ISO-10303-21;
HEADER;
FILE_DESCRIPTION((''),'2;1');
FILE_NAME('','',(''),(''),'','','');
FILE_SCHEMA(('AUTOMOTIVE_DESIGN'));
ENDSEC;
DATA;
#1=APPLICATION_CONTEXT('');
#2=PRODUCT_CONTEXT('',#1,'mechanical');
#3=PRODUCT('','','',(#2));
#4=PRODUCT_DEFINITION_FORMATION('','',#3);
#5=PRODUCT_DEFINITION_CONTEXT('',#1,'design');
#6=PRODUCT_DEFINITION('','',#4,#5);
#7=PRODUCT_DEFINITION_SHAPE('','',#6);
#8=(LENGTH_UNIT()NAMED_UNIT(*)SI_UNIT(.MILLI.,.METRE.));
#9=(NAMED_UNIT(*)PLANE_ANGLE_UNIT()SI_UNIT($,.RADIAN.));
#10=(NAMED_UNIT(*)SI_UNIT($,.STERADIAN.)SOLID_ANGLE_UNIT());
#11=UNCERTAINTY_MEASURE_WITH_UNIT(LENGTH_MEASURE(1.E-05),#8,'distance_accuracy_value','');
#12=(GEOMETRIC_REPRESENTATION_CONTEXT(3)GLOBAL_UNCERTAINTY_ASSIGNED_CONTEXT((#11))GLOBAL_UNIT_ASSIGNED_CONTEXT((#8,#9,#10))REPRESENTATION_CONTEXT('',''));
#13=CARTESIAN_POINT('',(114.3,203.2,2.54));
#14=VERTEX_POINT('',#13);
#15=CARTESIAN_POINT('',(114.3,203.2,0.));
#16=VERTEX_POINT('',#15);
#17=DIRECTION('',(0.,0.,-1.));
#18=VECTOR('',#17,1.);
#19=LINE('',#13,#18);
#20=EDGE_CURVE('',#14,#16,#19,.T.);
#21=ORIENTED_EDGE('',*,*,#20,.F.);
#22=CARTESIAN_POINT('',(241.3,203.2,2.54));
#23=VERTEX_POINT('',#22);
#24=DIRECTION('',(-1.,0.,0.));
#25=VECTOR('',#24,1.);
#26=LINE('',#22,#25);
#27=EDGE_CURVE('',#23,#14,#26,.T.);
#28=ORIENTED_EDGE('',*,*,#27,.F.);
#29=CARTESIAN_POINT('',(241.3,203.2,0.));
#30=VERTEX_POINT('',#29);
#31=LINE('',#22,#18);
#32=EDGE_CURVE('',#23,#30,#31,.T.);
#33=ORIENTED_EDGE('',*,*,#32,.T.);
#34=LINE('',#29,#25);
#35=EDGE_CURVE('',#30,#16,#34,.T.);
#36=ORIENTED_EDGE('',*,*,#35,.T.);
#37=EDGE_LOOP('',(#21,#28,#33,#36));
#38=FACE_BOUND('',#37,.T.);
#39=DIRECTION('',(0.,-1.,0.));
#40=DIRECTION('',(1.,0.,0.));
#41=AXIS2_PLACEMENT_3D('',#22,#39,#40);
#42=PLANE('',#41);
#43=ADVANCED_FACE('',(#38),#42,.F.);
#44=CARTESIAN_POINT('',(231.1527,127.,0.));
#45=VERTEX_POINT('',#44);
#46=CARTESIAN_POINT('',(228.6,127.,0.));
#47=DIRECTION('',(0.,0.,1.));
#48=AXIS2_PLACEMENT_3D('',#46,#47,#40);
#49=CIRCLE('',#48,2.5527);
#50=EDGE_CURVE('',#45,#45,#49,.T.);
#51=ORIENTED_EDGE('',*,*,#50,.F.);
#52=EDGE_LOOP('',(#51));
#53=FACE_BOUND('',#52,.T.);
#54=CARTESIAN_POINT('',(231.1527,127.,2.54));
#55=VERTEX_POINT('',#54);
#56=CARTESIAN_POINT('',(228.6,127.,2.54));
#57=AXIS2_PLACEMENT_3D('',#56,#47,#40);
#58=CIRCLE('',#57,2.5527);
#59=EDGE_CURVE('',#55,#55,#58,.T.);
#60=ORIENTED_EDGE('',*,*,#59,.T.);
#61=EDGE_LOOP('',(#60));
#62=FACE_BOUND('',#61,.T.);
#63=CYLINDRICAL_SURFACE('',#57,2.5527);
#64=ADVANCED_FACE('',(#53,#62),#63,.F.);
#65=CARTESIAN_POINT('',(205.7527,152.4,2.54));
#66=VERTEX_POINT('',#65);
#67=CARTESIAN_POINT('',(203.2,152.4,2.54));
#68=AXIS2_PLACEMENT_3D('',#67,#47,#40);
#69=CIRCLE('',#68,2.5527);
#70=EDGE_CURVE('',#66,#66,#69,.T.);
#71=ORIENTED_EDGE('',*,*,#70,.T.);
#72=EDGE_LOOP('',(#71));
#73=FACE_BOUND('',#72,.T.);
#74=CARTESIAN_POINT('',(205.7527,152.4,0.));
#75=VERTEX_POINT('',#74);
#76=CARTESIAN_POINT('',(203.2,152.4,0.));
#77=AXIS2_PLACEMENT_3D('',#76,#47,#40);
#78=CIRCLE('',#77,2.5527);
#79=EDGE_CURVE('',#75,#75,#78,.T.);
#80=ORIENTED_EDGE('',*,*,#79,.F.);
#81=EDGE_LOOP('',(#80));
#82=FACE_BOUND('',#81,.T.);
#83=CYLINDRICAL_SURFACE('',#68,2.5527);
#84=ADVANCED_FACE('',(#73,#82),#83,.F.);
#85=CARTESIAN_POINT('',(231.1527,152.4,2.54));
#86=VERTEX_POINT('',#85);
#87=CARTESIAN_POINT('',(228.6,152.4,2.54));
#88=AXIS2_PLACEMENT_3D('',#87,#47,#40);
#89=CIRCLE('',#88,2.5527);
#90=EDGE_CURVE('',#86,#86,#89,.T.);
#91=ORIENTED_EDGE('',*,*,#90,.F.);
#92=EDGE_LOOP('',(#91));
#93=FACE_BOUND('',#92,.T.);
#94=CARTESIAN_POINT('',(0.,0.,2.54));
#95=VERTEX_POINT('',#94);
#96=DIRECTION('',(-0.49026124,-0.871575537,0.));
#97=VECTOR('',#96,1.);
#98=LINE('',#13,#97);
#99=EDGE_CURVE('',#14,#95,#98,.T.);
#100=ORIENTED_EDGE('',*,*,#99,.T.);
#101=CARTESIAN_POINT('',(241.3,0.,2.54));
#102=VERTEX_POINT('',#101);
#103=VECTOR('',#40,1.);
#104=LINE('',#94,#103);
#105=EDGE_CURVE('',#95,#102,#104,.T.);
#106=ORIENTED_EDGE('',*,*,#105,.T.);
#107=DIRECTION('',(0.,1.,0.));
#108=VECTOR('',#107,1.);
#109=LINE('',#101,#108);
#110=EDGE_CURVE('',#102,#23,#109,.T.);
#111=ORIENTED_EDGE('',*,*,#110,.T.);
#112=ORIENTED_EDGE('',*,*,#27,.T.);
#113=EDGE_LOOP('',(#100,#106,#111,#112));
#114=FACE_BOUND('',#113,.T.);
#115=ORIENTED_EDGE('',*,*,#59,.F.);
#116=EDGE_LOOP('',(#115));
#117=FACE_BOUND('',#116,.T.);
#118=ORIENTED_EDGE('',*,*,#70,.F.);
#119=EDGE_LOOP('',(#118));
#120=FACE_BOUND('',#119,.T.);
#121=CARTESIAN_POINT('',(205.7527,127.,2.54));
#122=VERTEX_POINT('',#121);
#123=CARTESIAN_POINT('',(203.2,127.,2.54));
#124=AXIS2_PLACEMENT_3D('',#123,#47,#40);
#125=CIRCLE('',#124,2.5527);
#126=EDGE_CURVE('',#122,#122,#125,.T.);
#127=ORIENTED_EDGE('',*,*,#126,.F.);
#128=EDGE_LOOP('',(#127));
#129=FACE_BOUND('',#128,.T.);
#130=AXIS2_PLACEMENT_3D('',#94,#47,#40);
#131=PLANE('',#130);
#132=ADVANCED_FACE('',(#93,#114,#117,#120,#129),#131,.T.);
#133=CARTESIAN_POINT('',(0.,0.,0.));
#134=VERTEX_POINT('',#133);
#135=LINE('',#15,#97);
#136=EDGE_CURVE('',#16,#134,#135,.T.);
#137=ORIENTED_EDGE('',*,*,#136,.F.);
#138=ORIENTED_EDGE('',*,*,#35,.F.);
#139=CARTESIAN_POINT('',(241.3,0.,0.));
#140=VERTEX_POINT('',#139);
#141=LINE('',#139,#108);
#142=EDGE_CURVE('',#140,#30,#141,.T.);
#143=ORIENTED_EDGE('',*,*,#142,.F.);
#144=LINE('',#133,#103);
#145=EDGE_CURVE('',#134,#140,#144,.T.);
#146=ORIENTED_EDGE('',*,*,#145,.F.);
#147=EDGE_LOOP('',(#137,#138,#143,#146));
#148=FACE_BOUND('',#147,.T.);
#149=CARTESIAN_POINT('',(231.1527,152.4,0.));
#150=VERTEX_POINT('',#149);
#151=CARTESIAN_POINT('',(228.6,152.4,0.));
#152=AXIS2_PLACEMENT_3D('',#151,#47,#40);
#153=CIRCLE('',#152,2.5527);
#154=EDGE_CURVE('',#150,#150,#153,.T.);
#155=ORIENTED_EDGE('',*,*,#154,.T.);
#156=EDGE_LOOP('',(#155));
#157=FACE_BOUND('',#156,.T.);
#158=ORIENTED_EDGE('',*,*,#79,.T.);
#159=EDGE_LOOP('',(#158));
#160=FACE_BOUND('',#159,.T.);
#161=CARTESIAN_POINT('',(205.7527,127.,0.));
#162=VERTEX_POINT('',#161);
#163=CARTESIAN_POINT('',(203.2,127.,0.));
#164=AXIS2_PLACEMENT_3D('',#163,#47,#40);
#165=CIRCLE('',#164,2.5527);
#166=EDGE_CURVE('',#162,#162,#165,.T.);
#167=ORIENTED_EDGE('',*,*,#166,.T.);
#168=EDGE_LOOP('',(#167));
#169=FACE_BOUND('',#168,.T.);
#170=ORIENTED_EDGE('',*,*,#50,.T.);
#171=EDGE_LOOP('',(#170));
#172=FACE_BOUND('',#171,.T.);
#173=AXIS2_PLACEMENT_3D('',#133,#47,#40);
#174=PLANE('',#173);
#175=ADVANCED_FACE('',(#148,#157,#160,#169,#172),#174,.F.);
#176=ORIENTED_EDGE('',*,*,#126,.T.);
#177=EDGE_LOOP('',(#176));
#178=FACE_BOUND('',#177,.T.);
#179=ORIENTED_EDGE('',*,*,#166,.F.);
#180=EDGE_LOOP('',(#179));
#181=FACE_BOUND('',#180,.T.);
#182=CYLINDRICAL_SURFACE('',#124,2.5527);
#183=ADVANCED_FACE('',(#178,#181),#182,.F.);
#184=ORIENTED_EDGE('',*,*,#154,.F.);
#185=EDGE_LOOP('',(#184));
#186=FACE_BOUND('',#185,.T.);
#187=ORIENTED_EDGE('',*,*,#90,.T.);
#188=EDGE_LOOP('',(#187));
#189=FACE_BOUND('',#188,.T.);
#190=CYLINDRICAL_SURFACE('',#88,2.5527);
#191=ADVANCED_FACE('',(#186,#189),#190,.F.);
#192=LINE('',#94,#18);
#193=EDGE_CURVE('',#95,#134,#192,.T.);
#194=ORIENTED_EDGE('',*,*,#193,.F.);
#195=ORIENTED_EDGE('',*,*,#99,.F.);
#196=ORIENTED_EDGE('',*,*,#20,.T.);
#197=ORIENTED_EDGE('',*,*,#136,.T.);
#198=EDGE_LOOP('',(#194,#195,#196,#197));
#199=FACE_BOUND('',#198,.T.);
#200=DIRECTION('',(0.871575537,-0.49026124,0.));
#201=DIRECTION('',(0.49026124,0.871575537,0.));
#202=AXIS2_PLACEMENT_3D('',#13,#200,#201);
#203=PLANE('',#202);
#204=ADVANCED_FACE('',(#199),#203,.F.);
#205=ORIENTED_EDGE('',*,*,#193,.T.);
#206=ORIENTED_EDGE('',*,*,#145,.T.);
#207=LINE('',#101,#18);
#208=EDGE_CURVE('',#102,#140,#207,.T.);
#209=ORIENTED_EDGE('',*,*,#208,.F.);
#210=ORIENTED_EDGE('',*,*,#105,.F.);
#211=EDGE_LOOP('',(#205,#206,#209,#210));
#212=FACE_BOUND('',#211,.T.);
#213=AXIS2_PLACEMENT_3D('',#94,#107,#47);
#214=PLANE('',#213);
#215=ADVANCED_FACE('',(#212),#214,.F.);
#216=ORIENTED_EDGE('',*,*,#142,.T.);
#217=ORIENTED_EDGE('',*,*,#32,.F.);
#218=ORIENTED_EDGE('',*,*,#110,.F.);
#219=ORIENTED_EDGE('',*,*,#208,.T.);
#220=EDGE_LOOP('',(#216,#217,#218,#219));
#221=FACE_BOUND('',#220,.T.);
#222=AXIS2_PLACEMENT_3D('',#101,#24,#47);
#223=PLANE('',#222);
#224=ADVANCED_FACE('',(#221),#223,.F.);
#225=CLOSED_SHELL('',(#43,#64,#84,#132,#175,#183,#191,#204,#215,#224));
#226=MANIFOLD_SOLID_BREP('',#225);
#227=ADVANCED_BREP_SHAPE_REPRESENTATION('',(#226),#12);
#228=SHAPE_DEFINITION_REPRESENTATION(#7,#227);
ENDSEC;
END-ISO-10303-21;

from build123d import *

# Parameters (mm, degrees)
BOSS_EXTRUDE1_DEPTH    = 2.54
F_10_CLEARANCE_HOLE1_D = 5.1054


with BuildPart() as part:
    # Sketch1 → Boss-Extrude1 (new body)
    with BuildSketch(Plane.XY):
        Polygon((0, 0), (241.3, 0), (241.3, 203.2), (114.3, 203.2), align=None)
    extrude(amount=BOSS_EXTRUDE1_DEPTH)

    # #10 Clearance Hole1 (through all)
    with Locations(Plane.XY.offset(2.54)):
        with Locations((203.2, 152.4), (228.6, 127), (203.2, 127), (228.6, 152.4)):
            Hole(F_10_CLEARANCE_HOLE1_D / 2)


solid = part.part
